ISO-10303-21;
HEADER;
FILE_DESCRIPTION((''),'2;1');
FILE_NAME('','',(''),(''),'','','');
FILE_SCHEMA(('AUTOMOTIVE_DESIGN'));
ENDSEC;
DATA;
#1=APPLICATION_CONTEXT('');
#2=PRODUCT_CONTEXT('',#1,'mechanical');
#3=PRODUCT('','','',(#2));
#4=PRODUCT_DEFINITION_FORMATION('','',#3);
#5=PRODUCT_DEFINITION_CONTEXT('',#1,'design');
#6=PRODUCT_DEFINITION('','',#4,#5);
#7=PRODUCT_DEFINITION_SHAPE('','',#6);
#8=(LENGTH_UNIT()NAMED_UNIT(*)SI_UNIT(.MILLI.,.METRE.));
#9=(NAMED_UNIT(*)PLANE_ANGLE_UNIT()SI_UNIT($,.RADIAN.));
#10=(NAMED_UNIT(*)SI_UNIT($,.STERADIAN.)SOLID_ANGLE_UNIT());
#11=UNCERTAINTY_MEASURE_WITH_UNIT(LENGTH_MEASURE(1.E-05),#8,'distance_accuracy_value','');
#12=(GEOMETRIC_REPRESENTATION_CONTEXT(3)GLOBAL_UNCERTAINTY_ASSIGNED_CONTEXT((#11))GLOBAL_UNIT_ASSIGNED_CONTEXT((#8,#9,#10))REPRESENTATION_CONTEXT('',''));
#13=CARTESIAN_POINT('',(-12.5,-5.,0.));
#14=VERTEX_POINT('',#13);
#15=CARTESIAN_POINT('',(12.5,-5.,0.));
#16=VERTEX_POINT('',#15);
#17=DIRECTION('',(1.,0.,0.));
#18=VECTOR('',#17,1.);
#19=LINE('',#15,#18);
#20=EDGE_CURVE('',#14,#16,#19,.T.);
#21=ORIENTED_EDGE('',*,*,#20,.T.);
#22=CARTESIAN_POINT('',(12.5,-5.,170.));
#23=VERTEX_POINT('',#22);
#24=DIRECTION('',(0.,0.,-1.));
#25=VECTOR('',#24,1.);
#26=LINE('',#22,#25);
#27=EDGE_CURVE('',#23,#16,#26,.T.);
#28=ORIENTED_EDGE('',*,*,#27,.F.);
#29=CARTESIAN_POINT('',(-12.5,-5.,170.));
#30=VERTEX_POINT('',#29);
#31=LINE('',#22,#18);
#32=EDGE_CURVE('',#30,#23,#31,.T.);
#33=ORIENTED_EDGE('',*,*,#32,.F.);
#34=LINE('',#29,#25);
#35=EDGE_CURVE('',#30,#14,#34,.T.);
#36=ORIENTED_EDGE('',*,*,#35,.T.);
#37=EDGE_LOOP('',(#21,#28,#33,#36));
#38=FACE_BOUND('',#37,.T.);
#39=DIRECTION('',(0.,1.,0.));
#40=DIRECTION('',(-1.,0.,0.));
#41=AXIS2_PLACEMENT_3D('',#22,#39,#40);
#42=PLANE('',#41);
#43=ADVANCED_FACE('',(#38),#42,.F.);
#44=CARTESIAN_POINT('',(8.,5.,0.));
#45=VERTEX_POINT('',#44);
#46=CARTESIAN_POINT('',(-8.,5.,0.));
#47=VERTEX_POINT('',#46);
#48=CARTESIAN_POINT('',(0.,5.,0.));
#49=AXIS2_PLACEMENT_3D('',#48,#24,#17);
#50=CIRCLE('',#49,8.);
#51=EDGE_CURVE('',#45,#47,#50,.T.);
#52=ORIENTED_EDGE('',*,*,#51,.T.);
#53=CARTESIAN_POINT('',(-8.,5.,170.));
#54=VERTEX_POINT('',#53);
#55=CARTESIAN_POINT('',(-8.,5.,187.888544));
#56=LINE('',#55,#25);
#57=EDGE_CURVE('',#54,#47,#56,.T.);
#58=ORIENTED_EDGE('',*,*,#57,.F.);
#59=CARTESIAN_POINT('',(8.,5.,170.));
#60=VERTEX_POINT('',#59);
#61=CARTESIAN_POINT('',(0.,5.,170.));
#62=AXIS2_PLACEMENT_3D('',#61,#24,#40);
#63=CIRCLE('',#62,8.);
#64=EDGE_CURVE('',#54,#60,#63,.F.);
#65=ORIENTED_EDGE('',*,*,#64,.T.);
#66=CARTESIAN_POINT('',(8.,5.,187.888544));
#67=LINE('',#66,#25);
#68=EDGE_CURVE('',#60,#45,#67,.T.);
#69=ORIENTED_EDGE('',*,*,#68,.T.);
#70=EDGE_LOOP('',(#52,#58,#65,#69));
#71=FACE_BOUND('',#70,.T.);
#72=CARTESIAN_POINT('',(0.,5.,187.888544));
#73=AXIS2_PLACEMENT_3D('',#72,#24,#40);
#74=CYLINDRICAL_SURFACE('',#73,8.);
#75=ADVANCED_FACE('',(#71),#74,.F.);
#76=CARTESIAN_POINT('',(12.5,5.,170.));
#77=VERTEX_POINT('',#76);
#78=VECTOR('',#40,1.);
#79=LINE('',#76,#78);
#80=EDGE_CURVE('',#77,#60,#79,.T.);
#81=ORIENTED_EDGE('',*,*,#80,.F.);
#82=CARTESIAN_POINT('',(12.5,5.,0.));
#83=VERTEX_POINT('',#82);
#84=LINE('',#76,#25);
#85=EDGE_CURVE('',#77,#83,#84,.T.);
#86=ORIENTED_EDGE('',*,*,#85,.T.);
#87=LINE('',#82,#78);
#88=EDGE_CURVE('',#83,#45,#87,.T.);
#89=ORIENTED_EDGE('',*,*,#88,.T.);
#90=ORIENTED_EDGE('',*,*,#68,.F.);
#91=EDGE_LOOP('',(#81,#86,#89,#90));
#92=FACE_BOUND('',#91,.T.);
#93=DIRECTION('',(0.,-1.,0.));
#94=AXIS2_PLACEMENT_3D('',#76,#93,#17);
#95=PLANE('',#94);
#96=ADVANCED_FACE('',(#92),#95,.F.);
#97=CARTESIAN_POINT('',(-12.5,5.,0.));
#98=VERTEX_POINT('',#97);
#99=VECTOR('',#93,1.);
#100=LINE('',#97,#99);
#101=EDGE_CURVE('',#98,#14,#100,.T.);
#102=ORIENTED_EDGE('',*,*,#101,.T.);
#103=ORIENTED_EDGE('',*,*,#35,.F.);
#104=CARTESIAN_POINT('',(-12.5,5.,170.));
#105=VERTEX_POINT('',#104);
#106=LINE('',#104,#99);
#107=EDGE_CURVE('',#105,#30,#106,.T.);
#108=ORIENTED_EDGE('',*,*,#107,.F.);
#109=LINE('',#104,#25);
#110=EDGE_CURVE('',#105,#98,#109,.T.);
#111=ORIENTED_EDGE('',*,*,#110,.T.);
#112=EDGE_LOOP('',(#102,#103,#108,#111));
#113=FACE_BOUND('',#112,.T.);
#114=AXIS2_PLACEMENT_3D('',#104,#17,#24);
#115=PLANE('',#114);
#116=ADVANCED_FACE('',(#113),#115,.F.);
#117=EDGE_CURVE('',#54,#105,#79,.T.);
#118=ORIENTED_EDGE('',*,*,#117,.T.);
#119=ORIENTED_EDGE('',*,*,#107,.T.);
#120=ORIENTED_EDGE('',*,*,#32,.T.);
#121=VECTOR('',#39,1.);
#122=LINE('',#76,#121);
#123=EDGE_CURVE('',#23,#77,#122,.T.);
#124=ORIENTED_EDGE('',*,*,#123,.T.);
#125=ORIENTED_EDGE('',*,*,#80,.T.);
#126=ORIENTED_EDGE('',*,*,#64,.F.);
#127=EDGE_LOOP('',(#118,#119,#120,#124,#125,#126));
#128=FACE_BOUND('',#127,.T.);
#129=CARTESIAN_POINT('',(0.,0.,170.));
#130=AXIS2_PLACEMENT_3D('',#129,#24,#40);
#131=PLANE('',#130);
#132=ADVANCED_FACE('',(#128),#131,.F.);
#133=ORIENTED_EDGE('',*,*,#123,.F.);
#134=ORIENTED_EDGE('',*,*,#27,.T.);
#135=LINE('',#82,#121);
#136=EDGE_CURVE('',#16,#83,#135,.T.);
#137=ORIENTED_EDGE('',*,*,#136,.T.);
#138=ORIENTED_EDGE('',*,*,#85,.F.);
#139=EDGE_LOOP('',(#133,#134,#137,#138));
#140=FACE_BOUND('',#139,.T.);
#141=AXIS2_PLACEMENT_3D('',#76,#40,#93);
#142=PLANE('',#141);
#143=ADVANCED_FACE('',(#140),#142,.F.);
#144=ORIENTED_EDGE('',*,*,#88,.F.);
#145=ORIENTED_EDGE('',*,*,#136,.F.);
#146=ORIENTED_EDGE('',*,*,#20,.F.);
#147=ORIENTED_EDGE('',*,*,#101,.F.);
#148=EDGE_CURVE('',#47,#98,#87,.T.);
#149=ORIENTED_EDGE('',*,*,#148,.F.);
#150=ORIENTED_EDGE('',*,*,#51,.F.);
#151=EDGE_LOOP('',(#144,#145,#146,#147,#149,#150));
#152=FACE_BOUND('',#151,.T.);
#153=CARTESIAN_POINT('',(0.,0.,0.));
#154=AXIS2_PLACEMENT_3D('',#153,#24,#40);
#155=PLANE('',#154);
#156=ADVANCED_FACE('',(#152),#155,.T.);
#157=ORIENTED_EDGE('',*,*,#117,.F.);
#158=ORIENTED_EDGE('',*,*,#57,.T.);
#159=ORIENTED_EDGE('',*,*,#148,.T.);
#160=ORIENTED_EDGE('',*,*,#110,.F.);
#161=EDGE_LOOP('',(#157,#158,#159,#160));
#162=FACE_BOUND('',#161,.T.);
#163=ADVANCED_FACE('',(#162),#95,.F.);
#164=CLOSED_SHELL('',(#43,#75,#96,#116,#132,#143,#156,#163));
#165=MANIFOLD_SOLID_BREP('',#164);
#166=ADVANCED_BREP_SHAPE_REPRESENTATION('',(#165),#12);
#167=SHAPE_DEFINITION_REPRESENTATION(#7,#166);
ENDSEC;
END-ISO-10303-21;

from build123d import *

# Parameters (mm, degrees)
SKETCH2_W           = 25
SKETCH2_H           = 10
BOSS_EXTRUDE1_DEPTH = 170
CUT_EXTRUDE1_DEPTH  = 170


with BuildPart() as part:
    # Sketch2 → Boss-Extrude1 (new body)
    with BuildSketch(Plane.XY):
        Rectangle(SKETCH2_W, SKETCH2_H)
    extrude(amount=BOSS_EXTRUDE1_DEPTH)

    # Sketch3 → Cut-Extrude1 (cut)
    with BuildSketch(Plane(origin=(0, 0, 0), x_dir=(-1, 0, 0), z_dir=(0, 0, -1))):
        with BuildLine():
            Line((-8, 5), (8, 5))
            ThreePointArc((8, 5), (0, -3), (-8, 5))
        make_face()
    extrude(amount=-CUT_EXTRUDE1_DEPTH, mode=Mode.SUBTRACT)


solid = part.part
